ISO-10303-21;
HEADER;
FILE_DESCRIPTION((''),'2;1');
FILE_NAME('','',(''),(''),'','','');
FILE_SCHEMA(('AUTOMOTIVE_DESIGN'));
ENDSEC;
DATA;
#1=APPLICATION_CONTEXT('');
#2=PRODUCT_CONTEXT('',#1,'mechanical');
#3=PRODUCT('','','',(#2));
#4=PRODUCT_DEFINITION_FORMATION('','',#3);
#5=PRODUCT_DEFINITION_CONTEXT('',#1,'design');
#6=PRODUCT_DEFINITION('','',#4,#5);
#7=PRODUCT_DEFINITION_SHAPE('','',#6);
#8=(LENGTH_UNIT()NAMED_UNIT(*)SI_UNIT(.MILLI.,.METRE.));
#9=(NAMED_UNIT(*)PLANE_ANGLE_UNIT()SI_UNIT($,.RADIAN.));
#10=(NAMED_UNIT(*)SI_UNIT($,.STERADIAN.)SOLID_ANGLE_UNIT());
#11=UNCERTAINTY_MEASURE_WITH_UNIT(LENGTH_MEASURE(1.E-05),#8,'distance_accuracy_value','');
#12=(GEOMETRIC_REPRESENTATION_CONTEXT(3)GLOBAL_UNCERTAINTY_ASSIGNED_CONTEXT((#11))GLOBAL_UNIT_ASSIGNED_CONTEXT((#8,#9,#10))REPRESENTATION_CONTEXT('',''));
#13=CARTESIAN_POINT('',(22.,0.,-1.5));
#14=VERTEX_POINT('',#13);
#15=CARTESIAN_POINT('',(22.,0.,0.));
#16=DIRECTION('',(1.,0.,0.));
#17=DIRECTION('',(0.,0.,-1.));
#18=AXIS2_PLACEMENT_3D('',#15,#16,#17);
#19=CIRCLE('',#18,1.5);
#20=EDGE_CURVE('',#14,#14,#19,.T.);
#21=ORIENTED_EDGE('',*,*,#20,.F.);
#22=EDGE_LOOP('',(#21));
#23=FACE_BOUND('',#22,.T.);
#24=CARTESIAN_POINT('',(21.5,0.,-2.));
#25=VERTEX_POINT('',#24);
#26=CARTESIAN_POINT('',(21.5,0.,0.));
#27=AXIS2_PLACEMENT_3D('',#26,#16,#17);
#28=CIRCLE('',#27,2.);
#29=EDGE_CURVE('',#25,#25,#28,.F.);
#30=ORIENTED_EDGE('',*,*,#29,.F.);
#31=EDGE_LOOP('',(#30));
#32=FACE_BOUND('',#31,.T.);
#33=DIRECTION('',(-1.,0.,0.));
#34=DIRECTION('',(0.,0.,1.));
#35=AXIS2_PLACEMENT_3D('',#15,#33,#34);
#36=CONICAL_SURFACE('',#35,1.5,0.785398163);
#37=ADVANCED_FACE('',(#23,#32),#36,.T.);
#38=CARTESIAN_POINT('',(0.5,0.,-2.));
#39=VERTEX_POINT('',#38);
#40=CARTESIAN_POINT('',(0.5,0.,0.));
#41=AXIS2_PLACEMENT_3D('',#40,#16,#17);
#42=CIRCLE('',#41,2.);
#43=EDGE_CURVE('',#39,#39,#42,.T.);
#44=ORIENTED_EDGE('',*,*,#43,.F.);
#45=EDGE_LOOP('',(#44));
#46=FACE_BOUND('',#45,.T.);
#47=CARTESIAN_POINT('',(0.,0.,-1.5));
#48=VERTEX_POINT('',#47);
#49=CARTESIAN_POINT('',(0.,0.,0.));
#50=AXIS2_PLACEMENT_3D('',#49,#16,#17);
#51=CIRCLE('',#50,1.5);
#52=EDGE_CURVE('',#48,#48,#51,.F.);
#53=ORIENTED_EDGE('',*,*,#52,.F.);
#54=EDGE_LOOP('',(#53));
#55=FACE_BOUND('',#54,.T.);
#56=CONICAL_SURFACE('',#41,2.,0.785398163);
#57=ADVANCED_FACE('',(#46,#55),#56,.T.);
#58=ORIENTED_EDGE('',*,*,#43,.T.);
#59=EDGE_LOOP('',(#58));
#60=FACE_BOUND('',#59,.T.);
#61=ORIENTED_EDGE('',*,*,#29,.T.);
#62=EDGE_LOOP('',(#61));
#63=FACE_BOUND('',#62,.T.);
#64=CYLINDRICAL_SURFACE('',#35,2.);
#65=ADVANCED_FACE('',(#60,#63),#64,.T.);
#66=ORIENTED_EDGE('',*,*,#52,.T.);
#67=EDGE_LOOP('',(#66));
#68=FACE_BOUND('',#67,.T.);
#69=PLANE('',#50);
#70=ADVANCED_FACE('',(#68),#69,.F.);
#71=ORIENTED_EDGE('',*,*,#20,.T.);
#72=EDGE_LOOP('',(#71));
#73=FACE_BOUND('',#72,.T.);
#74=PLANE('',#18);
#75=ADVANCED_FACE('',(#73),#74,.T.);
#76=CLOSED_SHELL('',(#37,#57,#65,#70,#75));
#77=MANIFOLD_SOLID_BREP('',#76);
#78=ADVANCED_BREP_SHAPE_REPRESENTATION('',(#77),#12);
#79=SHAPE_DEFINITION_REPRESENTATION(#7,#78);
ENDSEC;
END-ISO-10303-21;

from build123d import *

# Parameters (mm, degrees)
SKETCH1_R           = 2
BOSS_EXTRUDE1_DEPTH = 22
CHAMFER1_SIZE       = 0.5


with BuildPart() as part:
    # Sketch1 → Boss-Extrude1 (new body)
    with BuildSketch(Plane(origin=(0, 0, 0), x_dir=(0, 0, -1), z_dir=(1, 0, 0))):
        Circle(SKETCH1_R)
    extrude(amount=BOSS_EXTRUDE1_DEPTH)

    # Chamfer1
    chamfer1_edges = [part.edges().sort_by_distance(p)[0] for p in [
        (0, 0, 2),
        (22, 0, 2),
    ]]
    chamfer(chamfer1_edges, length=CHAMFER1_SIZE)


solid = part.part
